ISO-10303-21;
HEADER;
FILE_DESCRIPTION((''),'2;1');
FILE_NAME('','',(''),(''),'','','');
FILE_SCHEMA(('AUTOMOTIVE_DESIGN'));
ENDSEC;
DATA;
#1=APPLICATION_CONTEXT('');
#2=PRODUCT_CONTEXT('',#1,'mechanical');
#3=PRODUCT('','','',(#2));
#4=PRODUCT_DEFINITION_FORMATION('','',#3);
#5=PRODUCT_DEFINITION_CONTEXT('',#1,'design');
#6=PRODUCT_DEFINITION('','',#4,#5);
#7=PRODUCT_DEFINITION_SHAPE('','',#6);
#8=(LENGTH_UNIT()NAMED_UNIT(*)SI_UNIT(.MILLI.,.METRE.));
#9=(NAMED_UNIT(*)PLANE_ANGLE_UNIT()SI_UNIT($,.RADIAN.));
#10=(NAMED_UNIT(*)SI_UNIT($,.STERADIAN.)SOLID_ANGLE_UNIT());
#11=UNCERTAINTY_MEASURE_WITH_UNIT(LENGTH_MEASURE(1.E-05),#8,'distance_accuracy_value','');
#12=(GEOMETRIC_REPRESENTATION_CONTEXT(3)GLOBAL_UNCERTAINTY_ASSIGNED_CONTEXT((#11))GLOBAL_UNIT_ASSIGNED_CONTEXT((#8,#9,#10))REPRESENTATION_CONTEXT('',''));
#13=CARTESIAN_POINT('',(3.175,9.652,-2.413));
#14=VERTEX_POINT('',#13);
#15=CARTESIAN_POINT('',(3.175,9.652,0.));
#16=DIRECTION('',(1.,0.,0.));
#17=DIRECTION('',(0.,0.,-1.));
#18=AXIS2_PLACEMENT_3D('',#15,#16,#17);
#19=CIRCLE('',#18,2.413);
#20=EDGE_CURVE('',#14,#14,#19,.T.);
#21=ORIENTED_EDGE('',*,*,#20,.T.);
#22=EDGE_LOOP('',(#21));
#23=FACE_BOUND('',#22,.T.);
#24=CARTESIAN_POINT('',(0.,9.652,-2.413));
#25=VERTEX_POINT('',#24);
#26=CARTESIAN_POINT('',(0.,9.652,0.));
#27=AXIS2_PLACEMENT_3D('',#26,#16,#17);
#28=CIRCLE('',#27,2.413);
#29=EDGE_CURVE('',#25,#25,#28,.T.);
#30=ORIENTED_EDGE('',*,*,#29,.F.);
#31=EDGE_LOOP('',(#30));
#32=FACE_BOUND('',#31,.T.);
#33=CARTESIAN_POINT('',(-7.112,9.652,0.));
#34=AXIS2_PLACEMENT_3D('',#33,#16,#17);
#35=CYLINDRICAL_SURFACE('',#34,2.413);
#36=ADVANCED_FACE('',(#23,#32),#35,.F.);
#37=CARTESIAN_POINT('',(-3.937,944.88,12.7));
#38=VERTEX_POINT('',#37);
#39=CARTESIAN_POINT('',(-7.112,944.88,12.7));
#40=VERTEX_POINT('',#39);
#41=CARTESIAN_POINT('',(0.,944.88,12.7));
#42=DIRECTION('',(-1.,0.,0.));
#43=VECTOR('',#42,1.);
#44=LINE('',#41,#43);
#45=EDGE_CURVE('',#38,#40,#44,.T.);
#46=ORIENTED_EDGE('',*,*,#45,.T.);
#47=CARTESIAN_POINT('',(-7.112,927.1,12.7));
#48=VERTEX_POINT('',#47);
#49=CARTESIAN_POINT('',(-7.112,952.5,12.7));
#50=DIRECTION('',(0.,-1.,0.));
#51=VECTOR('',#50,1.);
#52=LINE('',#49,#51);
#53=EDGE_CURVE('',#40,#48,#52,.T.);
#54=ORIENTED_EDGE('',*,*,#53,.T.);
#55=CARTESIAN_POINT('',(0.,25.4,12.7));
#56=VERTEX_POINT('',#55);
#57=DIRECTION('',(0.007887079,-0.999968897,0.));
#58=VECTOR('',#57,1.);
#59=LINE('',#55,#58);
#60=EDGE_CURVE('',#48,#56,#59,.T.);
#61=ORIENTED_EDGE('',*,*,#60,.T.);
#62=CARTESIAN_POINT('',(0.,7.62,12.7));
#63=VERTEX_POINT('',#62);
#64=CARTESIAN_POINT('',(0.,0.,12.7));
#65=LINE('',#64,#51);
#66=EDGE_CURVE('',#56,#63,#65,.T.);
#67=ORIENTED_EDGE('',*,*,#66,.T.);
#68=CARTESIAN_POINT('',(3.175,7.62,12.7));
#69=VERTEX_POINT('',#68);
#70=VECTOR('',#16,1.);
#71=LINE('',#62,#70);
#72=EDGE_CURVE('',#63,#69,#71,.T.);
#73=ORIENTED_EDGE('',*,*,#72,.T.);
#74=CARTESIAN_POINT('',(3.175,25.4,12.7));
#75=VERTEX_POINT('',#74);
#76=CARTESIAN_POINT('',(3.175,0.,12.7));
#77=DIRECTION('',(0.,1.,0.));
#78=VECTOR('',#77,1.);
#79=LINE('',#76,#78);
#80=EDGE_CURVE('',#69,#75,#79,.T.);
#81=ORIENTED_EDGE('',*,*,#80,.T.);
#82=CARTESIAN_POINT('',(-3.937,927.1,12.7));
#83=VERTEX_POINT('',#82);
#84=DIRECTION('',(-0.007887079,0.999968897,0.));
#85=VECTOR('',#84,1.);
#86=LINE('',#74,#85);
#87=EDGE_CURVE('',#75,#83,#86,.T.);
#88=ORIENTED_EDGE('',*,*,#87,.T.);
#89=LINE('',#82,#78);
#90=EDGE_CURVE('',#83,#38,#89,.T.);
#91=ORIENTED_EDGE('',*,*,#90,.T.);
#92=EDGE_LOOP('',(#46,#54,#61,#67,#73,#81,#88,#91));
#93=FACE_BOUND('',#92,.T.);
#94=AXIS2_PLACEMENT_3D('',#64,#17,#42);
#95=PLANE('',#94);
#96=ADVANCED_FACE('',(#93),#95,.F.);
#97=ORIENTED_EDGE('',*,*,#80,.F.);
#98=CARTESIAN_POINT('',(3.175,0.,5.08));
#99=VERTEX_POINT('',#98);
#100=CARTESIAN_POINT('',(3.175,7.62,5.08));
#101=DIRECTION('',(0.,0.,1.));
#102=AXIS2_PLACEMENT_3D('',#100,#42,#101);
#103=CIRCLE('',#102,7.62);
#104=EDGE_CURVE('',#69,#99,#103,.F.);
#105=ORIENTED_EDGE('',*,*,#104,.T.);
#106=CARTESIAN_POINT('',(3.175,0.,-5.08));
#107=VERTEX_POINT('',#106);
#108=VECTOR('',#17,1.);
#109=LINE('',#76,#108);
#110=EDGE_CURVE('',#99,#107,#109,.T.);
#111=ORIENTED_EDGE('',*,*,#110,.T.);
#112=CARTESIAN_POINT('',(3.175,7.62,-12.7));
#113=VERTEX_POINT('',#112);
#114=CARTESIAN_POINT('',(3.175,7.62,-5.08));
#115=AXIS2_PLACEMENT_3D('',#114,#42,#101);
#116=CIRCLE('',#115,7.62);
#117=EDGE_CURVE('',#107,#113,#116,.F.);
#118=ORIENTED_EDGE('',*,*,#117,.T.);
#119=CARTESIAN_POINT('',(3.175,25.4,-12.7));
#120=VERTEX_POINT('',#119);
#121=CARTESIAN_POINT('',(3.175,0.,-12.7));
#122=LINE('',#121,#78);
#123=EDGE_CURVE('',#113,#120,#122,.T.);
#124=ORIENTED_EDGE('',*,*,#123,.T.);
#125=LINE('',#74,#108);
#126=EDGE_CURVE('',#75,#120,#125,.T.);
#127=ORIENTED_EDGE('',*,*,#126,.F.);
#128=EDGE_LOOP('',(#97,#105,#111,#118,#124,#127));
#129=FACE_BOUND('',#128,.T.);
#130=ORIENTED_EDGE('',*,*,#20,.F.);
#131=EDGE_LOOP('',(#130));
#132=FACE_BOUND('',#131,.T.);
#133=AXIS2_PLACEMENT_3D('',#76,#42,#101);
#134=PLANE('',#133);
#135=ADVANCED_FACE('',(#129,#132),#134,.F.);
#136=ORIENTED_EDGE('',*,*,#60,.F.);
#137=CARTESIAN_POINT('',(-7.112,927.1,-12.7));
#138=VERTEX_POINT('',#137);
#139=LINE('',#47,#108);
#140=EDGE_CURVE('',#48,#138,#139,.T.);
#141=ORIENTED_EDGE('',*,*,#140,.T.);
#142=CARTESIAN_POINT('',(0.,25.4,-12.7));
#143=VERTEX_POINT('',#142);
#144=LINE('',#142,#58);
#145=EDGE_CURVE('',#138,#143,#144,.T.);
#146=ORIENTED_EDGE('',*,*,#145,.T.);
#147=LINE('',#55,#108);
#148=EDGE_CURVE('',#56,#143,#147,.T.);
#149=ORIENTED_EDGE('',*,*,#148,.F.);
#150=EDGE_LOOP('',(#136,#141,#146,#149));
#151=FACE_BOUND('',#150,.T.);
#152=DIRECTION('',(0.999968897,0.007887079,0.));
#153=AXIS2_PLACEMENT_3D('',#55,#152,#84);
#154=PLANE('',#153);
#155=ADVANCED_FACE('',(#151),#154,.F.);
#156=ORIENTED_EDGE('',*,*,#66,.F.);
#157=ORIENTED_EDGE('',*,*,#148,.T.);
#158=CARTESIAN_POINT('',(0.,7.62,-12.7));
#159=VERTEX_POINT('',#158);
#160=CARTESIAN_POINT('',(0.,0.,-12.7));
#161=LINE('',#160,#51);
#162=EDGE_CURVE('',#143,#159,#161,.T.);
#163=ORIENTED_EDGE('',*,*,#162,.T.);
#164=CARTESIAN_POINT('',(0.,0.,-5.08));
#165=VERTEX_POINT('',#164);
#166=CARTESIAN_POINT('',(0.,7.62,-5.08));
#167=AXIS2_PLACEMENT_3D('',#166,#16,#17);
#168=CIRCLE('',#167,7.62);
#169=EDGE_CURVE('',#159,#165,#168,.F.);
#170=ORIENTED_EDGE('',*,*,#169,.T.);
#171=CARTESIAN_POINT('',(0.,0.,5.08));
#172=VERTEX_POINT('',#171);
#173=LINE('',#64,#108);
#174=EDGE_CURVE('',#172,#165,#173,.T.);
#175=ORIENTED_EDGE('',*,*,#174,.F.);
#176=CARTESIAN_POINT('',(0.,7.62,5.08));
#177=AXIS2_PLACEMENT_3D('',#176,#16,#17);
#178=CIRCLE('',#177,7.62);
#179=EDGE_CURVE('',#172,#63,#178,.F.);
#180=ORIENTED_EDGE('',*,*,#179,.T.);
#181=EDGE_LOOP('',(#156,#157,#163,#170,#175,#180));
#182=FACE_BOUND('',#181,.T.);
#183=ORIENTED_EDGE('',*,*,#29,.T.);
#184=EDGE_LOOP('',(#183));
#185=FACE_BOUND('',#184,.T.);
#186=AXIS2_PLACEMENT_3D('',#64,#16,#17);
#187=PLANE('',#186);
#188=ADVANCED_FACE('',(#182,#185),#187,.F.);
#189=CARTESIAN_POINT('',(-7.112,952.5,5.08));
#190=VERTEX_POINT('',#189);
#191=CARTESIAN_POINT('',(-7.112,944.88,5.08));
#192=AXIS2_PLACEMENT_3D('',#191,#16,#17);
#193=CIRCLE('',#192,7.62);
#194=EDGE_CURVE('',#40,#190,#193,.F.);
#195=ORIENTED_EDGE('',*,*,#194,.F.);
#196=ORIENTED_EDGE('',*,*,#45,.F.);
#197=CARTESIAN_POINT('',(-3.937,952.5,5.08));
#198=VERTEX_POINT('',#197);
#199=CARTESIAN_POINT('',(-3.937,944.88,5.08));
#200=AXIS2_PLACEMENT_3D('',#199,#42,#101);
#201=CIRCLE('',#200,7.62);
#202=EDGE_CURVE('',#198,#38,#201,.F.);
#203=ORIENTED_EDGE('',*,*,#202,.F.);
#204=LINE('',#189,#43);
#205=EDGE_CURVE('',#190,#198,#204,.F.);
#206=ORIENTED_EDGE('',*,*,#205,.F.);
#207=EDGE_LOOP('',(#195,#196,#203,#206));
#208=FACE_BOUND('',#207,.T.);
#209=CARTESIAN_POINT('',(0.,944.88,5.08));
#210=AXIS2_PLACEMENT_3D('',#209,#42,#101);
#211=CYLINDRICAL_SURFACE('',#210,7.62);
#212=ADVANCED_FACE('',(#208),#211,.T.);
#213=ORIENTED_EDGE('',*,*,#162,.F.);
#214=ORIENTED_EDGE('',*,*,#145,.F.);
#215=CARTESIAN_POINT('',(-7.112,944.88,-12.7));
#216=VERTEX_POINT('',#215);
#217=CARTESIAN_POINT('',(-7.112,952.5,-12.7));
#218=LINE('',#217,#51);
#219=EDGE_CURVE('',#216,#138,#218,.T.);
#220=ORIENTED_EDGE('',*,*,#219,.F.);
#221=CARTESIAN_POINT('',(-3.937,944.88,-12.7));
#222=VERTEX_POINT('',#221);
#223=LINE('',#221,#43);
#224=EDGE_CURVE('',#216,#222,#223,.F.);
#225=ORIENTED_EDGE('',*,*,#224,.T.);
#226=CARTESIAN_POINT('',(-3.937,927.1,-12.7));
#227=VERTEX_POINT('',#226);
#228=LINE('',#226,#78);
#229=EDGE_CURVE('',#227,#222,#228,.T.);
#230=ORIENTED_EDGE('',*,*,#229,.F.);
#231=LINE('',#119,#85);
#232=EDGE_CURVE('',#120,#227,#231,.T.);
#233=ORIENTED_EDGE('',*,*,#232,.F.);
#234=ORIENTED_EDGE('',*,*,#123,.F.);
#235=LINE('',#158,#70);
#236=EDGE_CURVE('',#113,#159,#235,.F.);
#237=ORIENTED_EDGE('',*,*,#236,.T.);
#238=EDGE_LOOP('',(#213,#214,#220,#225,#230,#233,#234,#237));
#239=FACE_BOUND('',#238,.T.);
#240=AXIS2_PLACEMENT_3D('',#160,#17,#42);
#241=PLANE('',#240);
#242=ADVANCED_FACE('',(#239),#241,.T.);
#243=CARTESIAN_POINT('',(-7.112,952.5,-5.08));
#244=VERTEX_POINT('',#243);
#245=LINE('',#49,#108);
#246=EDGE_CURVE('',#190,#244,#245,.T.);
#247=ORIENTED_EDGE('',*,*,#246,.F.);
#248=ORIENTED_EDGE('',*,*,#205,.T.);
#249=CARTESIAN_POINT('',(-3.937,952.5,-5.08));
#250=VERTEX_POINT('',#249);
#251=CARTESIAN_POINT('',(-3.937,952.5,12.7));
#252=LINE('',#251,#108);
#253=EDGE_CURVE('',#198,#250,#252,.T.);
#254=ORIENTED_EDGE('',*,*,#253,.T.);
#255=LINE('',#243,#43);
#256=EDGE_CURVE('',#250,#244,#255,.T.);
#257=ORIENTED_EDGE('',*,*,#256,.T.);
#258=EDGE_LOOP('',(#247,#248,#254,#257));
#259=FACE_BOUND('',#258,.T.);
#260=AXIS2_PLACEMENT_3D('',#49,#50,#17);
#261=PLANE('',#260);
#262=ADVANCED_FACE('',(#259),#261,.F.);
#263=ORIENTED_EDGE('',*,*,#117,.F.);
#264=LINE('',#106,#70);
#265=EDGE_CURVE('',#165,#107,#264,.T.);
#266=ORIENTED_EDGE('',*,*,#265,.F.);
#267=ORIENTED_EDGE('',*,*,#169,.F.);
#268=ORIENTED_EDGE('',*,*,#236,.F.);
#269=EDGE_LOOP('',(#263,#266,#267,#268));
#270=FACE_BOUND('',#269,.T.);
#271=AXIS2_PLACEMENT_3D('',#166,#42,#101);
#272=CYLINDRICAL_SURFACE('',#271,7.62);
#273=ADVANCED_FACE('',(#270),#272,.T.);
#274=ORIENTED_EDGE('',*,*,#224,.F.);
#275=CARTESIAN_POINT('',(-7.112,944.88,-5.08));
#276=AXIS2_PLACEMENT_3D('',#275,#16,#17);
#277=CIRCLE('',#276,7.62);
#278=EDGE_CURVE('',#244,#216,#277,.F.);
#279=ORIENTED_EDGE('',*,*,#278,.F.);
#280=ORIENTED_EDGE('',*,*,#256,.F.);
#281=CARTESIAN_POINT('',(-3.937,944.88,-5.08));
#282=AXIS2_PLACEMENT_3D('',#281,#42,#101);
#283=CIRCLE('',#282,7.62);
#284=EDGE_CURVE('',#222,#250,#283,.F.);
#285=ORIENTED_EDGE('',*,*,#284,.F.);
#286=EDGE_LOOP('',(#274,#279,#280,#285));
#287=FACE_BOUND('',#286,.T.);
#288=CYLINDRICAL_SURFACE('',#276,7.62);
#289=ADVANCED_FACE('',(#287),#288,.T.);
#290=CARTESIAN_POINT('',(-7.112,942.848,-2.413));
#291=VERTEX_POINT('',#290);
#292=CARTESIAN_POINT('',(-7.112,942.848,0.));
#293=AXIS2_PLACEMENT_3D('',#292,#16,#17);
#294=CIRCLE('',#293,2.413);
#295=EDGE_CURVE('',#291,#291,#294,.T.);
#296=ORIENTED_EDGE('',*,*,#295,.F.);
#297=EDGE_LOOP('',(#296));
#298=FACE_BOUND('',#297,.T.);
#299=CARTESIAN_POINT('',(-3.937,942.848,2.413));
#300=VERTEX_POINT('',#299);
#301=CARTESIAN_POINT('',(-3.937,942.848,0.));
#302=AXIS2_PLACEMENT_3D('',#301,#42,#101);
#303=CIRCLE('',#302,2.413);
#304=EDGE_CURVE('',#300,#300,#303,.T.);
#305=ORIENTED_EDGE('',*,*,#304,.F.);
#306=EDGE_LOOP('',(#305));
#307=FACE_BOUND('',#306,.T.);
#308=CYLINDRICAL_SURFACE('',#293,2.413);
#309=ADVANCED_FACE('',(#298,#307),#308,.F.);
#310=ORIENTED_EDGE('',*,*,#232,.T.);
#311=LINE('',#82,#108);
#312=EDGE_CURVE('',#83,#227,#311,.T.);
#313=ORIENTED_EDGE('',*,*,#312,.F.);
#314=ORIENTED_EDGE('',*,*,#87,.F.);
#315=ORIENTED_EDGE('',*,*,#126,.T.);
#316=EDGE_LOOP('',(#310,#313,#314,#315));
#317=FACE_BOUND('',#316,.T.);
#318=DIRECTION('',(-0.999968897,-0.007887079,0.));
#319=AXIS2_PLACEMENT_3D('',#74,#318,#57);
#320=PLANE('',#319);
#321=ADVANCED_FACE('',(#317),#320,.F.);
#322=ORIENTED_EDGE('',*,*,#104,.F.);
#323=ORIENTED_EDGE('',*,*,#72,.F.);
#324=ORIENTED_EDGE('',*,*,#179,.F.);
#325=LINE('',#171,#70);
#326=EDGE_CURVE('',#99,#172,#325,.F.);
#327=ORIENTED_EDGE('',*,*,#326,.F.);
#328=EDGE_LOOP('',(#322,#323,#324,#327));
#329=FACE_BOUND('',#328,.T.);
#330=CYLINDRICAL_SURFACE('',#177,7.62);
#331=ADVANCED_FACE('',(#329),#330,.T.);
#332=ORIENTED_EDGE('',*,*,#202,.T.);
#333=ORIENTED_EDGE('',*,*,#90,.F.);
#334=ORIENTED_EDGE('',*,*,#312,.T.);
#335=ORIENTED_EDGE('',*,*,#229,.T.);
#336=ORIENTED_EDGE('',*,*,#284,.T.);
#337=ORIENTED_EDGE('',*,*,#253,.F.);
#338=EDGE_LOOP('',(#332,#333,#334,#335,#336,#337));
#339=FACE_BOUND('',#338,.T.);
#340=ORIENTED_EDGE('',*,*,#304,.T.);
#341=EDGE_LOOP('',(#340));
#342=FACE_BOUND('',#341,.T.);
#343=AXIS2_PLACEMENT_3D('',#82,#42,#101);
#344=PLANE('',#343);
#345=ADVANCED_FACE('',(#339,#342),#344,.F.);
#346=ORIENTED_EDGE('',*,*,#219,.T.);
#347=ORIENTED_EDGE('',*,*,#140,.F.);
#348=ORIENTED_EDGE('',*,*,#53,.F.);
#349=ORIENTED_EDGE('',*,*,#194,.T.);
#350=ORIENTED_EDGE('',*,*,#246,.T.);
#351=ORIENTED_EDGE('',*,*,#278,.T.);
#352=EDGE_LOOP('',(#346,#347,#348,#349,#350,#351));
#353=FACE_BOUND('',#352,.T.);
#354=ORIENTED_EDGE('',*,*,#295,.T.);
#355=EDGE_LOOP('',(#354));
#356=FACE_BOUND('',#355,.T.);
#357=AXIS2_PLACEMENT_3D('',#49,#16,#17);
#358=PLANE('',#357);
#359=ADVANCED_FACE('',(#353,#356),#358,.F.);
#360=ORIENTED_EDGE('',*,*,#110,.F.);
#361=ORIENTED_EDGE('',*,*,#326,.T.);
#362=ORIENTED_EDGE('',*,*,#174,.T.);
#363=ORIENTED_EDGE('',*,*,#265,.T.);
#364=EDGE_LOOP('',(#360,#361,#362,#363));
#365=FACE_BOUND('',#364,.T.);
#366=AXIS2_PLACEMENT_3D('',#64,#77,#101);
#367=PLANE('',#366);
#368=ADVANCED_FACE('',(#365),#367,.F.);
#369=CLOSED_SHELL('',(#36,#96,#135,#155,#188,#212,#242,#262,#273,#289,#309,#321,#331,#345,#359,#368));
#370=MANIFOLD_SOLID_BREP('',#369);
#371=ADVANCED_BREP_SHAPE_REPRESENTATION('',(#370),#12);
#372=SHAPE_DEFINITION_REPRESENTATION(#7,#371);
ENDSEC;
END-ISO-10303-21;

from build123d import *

# Parameters (mm, degrees)
BOSS_EXTRUDE1_DEPTH     = 12.7
FILLET1_R               = 7.62
CUT_EXTRUDE1_DEPTH      = 953.611211641
CUT_EXTRUDE1_DEPTH_BACK = 953.611211641
SKETCH2_R               = 2.413


with BuildPart() as part:
    # Sketch1 → Boss-Extrude1 (new, symmetric)
    with BuildSketch(Plane.XY):
        Polygon((0, 0), (3.175, 0), (3.175, 25.4), (-3.937, 927.1), (-3.937, 952.5), (-7.112, 952.5), (-7.112, 927.1), (0, 25.4), align=None)
    extrude(amount=BOSS_EXTRUDE1_DEPTH, both=True)

    # Fillet1
    fillet1_edges = [part.edges().sort_by_distance(p)[0] for p in [
        (1.5875, 0, -12.7),
        (-5.5245, 952.5, 12.7),
        (1.5875, 0, 12.7),
        (-5.5245, 952.5, -12.7),
    ]]
    fillet(fillet1_edges, radius=FILLET1_R)

    # Sketch2 → Cut-Extrude1 (cut, two sides: drawn at the far end of the back side and taken through both)
    with BuildSketch(Plane(origin=(-3.937, 0, 0), x_dir=(0, 0, -1), z_dir=(1, 0, 0)).offset(-CUT_EXTRUDE1_DEPTH_BACK)):
        with Locations((0, 942.848)):
            Circle(SKETCH2_R)
        with Locations((0, 9.652)):
            Circle(SKETCH2_R)
    extrude(amount=CUT_EXTRUDE1_DEPTH + CUT_EXTRUDE1_DEPTH_BACK, mode=Mode.SUBTRACT)


solid = part.part
